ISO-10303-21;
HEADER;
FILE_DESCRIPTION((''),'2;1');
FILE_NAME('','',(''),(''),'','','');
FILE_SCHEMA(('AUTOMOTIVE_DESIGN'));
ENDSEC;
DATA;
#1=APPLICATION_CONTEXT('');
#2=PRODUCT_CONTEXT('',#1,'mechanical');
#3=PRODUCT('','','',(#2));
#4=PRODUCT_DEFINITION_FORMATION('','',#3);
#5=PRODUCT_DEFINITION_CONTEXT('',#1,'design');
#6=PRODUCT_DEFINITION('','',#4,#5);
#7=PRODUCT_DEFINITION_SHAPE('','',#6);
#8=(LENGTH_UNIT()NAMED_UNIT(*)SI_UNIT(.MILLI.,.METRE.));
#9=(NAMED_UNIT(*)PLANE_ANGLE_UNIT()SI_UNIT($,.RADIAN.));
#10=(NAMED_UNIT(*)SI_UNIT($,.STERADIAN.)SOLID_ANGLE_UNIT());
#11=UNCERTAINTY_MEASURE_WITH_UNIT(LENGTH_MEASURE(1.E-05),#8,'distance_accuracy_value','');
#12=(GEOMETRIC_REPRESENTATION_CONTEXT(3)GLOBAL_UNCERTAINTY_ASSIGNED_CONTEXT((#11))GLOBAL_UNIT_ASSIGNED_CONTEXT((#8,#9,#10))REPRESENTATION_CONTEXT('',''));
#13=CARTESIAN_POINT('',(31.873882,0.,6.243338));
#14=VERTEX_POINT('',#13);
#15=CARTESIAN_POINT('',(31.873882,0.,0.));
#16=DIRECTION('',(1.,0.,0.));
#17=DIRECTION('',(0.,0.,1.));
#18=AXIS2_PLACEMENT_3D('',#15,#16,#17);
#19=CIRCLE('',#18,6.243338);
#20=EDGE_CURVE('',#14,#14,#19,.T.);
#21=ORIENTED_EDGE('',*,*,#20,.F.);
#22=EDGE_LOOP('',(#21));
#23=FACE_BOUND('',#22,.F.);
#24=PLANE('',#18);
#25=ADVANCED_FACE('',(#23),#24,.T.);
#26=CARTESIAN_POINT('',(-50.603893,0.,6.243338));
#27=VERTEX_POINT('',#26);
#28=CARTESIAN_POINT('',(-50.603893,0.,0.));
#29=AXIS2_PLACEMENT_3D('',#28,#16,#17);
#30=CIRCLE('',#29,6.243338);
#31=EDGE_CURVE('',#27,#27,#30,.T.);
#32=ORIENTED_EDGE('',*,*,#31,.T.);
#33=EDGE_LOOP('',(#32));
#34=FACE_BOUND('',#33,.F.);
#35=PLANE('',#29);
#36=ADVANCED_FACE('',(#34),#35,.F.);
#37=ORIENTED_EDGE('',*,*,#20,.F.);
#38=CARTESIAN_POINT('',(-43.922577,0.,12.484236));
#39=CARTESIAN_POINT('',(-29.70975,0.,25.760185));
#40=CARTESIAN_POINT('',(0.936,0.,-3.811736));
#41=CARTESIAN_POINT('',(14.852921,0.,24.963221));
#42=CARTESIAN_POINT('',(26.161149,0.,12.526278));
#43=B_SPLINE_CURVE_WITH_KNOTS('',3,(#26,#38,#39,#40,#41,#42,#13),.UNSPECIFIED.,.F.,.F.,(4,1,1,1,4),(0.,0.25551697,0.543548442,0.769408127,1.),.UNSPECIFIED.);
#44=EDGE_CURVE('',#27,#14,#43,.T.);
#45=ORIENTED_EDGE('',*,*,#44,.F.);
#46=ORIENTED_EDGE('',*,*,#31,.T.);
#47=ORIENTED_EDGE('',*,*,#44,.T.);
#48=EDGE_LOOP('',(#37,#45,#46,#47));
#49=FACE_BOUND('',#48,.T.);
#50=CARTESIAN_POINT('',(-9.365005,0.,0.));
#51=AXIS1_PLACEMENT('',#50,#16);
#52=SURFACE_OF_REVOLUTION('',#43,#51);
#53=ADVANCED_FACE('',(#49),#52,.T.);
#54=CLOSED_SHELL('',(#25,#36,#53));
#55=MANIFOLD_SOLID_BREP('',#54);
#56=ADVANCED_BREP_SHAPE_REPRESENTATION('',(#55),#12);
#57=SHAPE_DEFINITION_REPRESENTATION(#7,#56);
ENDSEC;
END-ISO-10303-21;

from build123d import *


with BuildPart() as f1:
    # F0 (on Front) → F1 (revolve)
    with BuildSketch(Plane.XZ):
        with BuildLine():
            Line((-50.6038926542, 6.2433378771), (-50.6038926542, 0))
            Line((-50.6038926542, 0), (31.8738818169, 0))
            Line((31.8738818169, 0), (31.8738818169, 6.2433378771))
            add(Edge.make_bspline(
                [(-50.6038926542, 6.2433378771), (-43.9225771695, 12.4842358256), (-29.7097496467, 25.7601851999), (0.9360000964, -3.8117360965), (14.8529207407, 24.9632213752), (26.1611493787, 12.5262783773), (31.8738818169, 6.2433378771)],
                knots=[0, 0, 0, 0, 0.2555169698, 0.5435484418, 0.7694081269, 1, 1, 1, 1], degree=3))
        make_face()
    revolve(axis=Axis((-9.3650054187, 0, 0), (1, 0, 0)))


solid = f1.part
